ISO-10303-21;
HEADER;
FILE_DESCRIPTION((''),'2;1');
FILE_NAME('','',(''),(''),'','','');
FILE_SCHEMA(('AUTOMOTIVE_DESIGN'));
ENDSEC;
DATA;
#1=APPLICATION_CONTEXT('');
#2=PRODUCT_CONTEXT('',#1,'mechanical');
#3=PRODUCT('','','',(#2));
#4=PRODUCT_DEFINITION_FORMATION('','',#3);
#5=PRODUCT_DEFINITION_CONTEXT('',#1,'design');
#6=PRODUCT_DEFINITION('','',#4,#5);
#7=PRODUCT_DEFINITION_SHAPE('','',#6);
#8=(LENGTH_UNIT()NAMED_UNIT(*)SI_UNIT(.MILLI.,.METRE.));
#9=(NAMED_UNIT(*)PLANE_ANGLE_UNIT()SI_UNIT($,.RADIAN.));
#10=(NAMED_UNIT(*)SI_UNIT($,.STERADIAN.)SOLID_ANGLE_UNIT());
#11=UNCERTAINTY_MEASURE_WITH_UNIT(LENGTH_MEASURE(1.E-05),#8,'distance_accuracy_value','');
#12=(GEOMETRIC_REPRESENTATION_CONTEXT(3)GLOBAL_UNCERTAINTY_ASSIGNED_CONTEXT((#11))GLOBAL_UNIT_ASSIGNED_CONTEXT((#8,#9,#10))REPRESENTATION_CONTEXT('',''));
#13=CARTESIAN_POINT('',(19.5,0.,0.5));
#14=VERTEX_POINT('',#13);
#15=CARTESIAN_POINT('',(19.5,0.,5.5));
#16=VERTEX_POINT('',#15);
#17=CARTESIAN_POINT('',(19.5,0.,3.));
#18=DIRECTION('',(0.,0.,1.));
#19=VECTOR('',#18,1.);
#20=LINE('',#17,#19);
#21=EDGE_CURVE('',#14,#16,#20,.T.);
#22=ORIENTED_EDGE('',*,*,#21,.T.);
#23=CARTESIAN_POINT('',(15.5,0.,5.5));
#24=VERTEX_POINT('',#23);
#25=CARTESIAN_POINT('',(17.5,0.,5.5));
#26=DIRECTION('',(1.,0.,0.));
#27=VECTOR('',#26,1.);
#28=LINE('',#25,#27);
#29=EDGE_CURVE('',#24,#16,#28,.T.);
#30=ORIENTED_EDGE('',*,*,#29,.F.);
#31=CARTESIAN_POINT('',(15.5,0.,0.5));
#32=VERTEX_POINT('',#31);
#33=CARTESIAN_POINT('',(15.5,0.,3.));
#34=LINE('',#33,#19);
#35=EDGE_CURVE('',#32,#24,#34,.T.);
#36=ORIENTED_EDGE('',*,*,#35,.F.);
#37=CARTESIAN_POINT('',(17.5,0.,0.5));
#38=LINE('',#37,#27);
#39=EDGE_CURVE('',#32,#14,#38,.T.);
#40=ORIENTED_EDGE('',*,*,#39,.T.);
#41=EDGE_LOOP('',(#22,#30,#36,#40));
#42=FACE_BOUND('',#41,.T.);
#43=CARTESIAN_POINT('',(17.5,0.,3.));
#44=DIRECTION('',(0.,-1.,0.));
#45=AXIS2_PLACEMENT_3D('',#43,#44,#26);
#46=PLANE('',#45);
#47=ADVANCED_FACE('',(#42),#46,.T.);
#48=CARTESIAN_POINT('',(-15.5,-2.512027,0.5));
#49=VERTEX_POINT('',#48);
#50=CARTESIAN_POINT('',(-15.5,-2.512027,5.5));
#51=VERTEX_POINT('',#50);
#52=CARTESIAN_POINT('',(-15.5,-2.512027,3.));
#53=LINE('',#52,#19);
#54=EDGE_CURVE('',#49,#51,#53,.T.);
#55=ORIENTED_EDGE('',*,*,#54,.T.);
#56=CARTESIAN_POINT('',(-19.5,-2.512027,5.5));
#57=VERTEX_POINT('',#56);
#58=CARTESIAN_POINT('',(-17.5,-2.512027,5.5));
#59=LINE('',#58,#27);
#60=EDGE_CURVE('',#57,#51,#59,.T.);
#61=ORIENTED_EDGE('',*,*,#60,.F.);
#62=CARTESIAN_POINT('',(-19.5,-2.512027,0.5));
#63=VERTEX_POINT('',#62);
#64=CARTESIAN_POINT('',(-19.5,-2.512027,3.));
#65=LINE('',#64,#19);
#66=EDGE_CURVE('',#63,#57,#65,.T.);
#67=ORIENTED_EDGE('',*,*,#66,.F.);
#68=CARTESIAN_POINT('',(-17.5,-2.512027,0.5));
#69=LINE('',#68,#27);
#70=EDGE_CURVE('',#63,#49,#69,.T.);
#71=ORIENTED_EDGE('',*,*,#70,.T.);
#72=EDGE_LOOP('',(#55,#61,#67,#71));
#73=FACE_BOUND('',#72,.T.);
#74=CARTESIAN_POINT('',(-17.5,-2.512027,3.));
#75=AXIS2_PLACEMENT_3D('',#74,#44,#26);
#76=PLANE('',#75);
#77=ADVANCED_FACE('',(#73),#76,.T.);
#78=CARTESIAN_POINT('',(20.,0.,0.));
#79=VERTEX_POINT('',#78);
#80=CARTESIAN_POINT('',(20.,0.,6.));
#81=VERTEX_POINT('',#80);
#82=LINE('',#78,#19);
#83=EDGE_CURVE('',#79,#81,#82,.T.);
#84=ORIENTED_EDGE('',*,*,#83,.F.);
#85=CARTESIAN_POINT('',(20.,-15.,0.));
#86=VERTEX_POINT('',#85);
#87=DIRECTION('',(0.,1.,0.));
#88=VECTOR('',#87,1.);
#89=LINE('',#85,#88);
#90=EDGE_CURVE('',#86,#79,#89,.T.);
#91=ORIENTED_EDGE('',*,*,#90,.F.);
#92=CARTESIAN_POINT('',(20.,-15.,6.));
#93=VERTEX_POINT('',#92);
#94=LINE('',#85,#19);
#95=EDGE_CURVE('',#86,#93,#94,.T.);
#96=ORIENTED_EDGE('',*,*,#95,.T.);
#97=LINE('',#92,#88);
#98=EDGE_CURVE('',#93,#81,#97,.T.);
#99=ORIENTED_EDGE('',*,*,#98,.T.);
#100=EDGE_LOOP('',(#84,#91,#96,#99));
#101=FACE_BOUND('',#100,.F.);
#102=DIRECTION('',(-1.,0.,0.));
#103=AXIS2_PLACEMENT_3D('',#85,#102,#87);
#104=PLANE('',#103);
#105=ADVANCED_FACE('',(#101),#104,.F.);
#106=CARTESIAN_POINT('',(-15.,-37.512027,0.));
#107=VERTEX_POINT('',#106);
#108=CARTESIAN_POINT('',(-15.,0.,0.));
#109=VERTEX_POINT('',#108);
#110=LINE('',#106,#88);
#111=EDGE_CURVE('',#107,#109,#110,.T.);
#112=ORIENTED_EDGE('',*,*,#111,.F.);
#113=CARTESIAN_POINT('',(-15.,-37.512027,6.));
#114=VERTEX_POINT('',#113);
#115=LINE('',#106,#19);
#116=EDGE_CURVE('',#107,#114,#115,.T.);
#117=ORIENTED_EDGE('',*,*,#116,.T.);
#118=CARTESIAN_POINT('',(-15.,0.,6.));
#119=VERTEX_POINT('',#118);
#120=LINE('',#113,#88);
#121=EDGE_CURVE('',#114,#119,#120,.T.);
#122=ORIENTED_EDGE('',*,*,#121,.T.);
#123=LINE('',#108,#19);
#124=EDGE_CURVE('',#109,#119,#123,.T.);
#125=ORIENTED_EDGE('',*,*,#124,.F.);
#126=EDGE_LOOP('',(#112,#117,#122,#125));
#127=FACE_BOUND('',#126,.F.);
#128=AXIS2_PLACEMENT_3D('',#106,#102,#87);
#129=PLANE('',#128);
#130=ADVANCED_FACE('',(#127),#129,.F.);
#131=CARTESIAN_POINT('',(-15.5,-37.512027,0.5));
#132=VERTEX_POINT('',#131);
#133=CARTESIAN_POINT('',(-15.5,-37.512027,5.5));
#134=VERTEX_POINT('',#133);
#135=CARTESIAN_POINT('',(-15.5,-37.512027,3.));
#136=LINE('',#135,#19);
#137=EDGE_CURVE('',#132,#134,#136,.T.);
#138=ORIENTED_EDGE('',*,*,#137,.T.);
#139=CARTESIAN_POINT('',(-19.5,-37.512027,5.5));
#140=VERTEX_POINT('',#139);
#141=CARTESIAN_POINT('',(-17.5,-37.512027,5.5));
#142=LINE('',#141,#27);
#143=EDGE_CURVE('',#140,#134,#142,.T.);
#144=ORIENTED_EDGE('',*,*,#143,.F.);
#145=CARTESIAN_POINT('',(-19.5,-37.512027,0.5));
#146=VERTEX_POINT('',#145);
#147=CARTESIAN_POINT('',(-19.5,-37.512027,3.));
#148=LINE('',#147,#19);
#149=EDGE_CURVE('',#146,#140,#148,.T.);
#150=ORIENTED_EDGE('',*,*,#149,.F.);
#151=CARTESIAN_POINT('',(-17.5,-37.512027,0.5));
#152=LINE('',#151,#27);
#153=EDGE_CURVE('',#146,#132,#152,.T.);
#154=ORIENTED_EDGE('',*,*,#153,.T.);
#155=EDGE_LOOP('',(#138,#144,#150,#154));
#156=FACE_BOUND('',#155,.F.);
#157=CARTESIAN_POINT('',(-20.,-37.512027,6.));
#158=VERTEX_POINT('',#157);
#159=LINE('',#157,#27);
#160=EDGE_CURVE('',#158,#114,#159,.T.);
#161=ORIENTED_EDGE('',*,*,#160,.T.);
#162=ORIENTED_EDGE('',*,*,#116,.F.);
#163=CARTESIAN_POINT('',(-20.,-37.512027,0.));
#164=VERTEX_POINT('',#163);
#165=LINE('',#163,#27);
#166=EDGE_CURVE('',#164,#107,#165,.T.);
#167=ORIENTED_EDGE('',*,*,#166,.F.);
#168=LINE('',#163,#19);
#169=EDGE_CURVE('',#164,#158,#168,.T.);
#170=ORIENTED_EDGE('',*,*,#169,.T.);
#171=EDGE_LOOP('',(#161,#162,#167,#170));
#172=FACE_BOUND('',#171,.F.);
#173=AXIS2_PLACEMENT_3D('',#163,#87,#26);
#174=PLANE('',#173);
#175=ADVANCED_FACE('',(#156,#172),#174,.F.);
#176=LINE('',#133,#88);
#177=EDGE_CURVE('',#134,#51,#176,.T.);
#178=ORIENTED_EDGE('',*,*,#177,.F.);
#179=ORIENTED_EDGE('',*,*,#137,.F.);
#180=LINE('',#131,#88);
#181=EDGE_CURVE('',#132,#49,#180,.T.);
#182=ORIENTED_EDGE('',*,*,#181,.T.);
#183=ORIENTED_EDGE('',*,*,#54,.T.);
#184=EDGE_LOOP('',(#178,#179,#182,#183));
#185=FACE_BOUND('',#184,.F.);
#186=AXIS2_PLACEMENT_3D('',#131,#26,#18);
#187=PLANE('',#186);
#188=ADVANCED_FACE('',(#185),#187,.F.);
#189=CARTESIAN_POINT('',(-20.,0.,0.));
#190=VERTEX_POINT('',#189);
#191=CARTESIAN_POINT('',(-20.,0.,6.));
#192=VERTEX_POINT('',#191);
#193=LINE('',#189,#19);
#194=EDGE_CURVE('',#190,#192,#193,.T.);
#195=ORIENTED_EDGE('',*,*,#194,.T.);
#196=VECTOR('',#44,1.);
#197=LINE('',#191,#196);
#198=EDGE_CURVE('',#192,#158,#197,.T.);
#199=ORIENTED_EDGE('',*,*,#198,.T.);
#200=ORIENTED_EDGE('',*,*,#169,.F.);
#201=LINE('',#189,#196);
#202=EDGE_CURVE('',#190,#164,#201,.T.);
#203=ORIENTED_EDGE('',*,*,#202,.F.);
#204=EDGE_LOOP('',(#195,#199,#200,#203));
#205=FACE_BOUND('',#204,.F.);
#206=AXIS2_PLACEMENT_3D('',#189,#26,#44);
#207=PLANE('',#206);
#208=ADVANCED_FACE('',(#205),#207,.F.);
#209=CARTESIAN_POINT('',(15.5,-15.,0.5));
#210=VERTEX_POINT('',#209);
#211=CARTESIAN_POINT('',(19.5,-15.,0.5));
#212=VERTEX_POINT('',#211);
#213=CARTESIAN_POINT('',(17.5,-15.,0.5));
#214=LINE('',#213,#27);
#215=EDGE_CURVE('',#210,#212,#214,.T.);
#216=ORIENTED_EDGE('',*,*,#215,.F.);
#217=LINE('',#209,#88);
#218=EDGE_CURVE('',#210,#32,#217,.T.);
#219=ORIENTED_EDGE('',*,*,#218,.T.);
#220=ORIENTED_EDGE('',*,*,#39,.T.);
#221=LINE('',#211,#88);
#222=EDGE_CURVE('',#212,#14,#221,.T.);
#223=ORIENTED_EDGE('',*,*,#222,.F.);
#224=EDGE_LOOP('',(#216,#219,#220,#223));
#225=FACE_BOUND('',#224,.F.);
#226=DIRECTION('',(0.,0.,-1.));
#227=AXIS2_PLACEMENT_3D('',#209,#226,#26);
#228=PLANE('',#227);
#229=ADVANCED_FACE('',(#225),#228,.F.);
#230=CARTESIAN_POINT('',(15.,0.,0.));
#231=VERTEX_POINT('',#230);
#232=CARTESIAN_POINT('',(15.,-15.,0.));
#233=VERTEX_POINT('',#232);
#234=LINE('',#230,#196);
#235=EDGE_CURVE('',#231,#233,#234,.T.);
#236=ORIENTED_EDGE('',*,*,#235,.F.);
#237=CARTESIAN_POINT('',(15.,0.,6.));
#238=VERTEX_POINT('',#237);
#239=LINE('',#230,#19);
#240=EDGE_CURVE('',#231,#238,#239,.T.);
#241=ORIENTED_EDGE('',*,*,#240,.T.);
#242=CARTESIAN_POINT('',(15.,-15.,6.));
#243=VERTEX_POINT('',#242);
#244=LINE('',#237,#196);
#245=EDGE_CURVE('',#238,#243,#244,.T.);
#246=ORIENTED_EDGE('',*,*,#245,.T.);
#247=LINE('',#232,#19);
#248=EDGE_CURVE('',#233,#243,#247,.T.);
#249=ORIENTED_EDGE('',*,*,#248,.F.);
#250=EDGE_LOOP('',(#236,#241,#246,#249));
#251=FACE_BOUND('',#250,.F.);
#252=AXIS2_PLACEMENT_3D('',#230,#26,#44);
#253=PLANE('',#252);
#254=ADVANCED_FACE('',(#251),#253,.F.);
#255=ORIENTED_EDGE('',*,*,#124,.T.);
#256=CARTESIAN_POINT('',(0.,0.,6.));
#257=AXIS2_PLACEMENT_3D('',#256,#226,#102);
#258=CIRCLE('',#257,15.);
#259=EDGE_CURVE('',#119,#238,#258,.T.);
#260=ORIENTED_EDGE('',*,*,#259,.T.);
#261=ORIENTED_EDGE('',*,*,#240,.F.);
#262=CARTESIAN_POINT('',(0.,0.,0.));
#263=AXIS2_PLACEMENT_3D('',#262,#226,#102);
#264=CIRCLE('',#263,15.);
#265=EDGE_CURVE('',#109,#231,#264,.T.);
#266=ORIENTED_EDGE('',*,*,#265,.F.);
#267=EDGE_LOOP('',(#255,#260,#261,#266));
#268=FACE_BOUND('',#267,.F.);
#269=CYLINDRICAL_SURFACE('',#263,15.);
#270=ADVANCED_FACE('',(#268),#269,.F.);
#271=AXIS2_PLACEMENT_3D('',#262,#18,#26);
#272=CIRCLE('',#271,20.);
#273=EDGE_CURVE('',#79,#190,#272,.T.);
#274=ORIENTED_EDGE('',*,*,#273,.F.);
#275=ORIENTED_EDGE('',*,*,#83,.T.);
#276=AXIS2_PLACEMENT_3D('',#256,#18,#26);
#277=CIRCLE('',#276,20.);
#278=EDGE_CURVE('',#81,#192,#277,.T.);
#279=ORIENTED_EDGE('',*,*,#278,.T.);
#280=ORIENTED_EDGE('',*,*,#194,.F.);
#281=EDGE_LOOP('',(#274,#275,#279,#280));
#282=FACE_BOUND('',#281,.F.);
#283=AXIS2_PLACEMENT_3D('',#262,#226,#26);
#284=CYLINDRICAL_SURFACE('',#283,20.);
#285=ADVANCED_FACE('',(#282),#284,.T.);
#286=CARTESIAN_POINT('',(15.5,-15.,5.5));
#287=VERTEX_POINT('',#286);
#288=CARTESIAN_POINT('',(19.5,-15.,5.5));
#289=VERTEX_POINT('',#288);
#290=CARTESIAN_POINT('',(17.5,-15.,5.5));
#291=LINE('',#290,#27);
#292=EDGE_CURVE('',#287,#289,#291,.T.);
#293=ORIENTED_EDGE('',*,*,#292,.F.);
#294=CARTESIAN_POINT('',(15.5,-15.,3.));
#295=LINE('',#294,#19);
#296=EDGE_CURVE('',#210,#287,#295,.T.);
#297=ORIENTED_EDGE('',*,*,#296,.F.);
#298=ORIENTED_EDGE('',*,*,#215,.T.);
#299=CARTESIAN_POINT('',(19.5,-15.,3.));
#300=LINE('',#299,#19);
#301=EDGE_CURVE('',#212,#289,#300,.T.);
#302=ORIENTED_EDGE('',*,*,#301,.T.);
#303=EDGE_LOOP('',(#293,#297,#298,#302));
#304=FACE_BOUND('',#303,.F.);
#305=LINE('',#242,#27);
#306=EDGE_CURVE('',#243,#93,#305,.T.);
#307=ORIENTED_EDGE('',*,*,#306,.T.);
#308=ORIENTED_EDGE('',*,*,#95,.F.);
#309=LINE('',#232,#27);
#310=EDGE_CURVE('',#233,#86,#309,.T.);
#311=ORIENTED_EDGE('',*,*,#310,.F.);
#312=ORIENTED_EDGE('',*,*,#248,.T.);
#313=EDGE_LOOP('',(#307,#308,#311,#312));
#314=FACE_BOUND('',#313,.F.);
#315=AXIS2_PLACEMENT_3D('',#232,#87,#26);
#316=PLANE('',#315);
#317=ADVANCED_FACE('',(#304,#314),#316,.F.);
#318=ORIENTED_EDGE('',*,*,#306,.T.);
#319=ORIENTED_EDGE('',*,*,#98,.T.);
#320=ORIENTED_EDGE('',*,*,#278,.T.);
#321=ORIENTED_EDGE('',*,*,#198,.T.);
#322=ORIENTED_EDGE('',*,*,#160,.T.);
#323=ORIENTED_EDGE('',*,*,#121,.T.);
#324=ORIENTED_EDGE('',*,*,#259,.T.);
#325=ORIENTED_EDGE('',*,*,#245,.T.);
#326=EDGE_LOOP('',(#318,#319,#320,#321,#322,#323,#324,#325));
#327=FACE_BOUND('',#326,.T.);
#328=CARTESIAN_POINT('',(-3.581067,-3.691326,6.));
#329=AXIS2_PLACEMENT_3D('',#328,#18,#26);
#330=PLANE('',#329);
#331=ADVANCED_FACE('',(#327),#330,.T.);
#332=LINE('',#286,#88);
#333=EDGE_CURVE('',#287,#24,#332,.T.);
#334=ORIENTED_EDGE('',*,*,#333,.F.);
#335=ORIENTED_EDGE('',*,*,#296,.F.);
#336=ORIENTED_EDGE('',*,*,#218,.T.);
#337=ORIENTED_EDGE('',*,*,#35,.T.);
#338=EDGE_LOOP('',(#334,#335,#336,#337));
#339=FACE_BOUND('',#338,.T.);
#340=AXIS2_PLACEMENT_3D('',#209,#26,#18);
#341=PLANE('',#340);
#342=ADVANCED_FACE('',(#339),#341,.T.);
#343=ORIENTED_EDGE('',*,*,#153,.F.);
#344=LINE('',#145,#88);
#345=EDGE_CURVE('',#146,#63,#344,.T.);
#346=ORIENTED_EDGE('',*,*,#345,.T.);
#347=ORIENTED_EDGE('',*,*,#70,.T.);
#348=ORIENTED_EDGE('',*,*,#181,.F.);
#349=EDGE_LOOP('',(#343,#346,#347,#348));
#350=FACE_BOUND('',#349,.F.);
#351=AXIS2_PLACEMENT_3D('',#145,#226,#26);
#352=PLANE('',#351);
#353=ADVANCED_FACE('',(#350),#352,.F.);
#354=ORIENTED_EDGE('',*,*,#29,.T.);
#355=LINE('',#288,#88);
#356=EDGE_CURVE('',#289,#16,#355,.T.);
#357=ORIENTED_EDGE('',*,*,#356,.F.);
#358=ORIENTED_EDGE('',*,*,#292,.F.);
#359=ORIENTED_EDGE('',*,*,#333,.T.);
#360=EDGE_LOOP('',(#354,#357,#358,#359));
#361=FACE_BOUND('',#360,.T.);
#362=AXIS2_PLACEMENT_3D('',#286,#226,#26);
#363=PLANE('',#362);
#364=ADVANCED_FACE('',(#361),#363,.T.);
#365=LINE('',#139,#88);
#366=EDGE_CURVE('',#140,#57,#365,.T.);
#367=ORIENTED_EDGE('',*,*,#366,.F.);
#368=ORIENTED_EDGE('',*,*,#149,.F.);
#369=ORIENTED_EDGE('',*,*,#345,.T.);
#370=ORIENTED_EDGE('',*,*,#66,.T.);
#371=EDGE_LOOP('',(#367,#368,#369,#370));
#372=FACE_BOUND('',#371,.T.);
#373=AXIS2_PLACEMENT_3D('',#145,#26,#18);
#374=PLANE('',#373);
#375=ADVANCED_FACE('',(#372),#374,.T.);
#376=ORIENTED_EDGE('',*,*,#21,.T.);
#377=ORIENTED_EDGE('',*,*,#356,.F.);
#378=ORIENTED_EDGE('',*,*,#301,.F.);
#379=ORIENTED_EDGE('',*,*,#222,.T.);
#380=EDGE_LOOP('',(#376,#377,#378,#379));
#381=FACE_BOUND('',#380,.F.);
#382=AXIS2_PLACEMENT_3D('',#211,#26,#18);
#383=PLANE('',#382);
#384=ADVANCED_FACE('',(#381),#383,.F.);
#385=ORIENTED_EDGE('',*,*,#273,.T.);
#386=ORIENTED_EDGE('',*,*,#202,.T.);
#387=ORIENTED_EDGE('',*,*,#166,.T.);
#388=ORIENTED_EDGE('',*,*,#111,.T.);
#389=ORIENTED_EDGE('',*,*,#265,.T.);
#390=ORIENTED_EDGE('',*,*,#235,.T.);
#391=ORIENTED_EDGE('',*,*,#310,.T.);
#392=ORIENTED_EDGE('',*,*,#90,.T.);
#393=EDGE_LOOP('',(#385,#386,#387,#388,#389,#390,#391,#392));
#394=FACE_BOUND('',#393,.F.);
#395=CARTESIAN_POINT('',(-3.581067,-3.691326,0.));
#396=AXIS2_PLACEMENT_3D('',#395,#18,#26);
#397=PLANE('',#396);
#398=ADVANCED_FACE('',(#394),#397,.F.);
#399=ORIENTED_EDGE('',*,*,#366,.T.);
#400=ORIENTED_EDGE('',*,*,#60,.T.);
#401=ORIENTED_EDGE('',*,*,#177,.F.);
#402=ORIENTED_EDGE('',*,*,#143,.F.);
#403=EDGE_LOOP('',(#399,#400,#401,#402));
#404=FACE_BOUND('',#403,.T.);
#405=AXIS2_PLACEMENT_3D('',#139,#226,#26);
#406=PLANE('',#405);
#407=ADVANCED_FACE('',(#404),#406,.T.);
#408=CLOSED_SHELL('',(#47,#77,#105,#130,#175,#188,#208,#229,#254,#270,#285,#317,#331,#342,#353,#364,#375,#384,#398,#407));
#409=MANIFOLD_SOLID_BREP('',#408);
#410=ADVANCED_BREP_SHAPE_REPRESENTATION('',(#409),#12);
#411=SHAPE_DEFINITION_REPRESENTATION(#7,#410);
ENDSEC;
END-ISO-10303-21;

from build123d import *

# Parameters (mm, degrees)
F1_DEPTH = 6
F2_W     = 4
F2_H     = 5
F3_DEPTH = 15
F4_W     = 4
F4_H     = 5
F5_DEPTH = 35


with BuildPart() as f1:
    # F0 (on Top) → F1 (new body)
    with BuildSketch(Plane.XY):
        with BuildLine():
            ThreePointArc((-15, 0), (0, 15), (15, 0))
            Line((15, 0), (15, -15))
            Line((15, -15), (20, -15))
            Line((20, -15), (20, 0))
            ThreePointArc((20, 0), (0, 20), (-20, 0))
            Line((-20, 0), (-20, -37.512027))
            Line((-20, -37.512027), (-15, -37.512027))
            Line((-15, -37.512027), (-15, 0))
        make_face()
    extrude(amount=F1_DEPTH)

    # F2 (on face) → F3 (cut)
    with BuildSketch(Plane.XZ.offset(15)):
        with Locations((17.5, 3)):
            Rectangle(F2_W, F2_H)
    extrude(amount=-F3_DEPTH, mode=Mode.SUBTRACT)

    # F4 (on face) → F5 (cut)
    with BuildSketch(Plane.XZ.offset(37.512027)):
        with Locations((-17.5, 3)):
            Rectangle(F4_W, F4_H)
    extrude(amount=-F5_DEPTH, mode=Mode.SUBTRACT)


solid = f1.part
